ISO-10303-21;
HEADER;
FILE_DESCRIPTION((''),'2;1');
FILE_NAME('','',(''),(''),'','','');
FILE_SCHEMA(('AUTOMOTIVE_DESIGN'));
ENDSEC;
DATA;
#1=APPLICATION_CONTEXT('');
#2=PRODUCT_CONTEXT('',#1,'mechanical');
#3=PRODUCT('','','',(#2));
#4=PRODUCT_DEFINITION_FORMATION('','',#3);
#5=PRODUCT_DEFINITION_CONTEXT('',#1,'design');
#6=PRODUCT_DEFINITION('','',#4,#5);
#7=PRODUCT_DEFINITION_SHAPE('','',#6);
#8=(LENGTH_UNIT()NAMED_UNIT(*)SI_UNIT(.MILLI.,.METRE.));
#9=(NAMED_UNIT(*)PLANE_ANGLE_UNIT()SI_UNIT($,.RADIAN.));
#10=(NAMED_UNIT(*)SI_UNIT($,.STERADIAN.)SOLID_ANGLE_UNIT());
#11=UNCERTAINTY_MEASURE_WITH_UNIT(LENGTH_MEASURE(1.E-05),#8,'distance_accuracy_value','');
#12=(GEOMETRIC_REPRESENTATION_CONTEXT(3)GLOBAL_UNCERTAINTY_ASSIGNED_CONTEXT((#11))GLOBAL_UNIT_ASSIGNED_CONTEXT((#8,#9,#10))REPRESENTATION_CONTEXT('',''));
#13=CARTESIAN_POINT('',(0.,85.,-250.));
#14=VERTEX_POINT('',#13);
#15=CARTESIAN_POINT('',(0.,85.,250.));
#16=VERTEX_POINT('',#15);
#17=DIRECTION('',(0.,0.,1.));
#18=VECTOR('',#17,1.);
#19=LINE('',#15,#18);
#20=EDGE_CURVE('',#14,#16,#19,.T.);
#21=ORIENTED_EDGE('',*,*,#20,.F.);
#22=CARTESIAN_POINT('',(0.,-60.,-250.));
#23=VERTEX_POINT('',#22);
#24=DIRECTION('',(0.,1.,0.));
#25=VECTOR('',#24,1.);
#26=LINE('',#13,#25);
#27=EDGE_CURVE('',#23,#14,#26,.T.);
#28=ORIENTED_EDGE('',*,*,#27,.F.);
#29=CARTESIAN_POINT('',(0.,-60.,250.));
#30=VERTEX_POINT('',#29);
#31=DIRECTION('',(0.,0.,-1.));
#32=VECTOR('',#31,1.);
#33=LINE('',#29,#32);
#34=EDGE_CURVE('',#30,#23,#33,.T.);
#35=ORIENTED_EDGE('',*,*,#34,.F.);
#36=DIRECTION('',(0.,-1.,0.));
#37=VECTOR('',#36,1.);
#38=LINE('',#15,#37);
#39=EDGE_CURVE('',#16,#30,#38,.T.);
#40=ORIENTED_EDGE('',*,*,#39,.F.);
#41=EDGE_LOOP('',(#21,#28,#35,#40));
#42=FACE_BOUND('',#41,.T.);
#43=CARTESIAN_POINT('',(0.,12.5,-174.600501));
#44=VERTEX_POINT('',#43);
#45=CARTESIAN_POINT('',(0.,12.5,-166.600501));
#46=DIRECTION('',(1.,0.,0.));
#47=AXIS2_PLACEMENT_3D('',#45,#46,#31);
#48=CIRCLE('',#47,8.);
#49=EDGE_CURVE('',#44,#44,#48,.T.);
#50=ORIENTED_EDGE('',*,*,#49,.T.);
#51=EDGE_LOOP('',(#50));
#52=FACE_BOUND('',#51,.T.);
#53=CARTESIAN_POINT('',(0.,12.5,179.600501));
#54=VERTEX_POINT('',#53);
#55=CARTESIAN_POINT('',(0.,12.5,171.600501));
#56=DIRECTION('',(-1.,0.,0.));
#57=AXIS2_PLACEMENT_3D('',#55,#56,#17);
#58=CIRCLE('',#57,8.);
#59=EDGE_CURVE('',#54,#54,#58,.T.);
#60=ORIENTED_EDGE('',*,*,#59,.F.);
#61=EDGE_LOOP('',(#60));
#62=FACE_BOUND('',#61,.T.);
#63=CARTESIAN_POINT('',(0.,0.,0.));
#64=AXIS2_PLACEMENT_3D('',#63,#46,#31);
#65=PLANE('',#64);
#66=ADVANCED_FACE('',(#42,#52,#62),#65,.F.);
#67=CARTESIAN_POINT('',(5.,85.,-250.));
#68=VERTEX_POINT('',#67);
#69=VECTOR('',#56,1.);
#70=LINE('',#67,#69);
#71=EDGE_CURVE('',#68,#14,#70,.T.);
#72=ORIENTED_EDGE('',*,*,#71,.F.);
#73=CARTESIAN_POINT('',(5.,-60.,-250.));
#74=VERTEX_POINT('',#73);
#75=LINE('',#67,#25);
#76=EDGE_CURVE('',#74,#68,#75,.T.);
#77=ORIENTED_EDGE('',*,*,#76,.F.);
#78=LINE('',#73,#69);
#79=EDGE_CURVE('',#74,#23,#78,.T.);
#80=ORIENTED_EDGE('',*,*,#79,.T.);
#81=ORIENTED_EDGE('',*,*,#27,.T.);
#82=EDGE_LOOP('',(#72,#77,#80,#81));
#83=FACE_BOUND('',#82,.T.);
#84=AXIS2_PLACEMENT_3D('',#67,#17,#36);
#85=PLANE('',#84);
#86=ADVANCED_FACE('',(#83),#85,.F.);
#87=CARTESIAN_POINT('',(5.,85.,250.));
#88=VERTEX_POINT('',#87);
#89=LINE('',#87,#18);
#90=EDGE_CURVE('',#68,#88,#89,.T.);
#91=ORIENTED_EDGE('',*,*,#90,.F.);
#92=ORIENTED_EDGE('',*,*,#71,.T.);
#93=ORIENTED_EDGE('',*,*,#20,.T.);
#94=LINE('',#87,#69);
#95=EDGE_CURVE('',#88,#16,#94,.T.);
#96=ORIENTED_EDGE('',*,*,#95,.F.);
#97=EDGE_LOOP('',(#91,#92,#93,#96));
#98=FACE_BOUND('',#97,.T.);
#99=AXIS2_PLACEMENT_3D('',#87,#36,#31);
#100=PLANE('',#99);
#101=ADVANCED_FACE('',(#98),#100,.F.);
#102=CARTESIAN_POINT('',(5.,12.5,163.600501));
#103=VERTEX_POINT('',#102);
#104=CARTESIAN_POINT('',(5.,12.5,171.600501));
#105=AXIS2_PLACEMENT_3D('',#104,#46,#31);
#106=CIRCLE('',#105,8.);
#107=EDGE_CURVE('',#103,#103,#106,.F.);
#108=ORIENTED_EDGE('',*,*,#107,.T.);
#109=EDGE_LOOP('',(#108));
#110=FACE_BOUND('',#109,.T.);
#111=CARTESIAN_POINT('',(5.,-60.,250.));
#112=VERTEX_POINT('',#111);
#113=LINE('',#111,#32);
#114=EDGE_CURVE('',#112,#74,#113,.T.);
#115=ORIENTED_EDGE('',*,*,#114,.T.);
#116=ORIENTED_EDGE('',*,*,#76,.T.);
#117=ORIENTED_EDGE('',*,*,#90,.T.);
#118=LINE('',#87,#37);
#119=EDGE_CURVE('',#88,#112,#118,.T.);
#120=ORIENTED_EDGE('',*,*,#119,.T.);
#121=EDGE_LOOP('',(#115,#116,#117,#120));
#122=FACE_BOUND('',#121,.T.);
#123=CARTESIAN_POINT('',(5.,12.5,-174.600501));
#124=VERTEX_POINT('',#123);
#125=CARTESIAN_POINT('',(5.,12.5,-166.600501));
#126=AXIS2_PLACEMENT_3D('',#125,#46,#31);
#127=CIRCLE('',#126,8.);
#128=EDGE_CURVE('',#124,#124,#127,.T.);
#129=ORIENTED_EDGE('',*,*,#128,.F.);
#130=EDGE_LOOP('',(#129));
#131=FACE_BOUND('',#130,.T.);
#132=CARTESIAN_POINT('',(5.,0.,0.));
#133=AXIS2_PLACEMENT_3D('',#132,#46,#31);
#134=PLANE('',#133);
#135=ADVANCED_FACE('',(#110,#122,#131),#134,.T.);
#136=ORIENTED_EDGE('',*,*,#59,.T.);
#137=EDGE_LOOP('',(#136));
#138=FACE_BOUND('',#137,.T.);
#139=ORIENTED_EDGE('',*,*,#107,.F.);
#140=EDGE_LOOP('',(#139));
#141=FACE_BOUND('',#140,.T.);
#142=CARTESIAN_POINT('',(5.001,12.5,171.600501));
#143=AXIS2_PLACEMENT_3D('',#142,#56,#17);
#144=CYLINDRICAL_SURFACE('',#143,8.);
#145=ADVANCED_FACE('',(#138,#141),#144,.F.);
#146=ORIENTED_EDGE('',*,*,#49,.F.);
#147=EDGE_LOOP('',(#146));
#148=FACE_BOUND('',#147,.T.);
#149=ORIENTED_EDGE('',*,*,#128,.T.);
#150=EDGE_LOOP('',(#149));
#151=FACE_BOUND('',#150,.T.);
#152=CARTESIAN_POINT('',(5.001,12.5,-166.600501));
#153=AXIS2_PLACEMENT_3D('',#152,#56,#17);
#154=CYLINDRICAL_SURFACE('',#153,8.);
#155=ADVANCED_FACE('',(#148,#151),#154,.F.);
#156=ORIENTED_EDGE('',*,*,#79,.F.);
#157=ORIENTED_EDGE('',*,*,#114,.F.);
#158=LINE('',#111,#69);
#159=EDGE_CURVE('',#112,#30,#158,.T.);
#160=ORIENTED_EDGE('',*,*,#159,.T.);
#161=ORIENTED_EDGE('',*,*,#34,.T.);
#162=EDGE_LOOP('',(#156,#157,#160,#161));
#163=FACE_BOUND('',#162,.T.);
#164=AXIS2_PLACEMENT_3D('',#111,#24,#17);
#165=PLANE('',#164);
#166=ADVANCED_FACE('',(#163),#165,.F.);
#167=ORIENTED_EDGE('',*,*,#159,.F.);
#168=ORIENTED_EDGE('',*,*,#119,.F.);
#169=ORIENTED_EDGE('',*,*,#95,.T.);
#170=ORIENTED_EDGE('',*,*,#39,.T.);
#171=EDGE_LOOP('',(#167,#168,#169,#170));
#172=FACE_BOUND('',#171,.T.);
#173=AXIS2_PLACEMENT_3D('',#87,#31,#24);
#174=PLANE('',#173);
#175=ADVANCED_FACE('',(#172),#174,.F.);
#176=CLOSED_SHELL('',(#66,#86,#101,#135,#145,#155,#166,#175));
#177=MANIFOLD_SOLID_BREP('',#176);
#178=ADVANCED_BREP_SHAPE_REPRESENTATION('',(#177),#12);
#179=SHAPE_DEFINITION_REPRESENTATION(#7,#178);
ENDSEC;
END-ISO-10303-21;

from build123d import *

# Parameters (mm, degrees)
SKETCH2_W           = 500
SKETCH2_H           = 145
BOSS_EXTRUDE1_DEPTH = 5
CUT_EXTRUDE1_REACH  = 266.102
SKETCH3_R           = 8


with BuildPart() as part:
    # Sketch2 → Boss-Extrude1 (new body)
    with BuildSketch(Plane(origin=(0, 0, 0), x_dir=(0, 0, -1), z_dir=(1, 0, 0))):
        with Locations((0, 12.5)):
            Rectangle(SKETCH2_W, SKETCH2_H)
    extrude(amount=BOSS_EXTRUDE1_DEPTH)

    # Sketch3 → Cut-Extrude1 (cut, up to next)
    with BuildSketch(Plane.ZY, mode=Mode.PRIVATE) as cut_extrude1_sk1:
        with Locations((171.600500868, 12.5)):
            Circle(SKETCH3_R)
    cut_extrude1_tool1 = extrude(cut_extrude1_sk1.sketch, amount=-CUT_EXTRUDE1_REACH, mode=Mode.PRIVATE) & part.part
    cut_extrude1 = cut_extrude1_tool1.solids().sort_by_distance((0, 12.5, 171.600501))[0]
    add(cut_extrude1, mode=Mode.SUBTRACT)

    # Mirror1: Cut-Extrude1 across plane
    add(cut_extrude1.mirror(Plane.XY.offset(2.5)), mode=Mode.SUBTRACT)


solid = part.part
